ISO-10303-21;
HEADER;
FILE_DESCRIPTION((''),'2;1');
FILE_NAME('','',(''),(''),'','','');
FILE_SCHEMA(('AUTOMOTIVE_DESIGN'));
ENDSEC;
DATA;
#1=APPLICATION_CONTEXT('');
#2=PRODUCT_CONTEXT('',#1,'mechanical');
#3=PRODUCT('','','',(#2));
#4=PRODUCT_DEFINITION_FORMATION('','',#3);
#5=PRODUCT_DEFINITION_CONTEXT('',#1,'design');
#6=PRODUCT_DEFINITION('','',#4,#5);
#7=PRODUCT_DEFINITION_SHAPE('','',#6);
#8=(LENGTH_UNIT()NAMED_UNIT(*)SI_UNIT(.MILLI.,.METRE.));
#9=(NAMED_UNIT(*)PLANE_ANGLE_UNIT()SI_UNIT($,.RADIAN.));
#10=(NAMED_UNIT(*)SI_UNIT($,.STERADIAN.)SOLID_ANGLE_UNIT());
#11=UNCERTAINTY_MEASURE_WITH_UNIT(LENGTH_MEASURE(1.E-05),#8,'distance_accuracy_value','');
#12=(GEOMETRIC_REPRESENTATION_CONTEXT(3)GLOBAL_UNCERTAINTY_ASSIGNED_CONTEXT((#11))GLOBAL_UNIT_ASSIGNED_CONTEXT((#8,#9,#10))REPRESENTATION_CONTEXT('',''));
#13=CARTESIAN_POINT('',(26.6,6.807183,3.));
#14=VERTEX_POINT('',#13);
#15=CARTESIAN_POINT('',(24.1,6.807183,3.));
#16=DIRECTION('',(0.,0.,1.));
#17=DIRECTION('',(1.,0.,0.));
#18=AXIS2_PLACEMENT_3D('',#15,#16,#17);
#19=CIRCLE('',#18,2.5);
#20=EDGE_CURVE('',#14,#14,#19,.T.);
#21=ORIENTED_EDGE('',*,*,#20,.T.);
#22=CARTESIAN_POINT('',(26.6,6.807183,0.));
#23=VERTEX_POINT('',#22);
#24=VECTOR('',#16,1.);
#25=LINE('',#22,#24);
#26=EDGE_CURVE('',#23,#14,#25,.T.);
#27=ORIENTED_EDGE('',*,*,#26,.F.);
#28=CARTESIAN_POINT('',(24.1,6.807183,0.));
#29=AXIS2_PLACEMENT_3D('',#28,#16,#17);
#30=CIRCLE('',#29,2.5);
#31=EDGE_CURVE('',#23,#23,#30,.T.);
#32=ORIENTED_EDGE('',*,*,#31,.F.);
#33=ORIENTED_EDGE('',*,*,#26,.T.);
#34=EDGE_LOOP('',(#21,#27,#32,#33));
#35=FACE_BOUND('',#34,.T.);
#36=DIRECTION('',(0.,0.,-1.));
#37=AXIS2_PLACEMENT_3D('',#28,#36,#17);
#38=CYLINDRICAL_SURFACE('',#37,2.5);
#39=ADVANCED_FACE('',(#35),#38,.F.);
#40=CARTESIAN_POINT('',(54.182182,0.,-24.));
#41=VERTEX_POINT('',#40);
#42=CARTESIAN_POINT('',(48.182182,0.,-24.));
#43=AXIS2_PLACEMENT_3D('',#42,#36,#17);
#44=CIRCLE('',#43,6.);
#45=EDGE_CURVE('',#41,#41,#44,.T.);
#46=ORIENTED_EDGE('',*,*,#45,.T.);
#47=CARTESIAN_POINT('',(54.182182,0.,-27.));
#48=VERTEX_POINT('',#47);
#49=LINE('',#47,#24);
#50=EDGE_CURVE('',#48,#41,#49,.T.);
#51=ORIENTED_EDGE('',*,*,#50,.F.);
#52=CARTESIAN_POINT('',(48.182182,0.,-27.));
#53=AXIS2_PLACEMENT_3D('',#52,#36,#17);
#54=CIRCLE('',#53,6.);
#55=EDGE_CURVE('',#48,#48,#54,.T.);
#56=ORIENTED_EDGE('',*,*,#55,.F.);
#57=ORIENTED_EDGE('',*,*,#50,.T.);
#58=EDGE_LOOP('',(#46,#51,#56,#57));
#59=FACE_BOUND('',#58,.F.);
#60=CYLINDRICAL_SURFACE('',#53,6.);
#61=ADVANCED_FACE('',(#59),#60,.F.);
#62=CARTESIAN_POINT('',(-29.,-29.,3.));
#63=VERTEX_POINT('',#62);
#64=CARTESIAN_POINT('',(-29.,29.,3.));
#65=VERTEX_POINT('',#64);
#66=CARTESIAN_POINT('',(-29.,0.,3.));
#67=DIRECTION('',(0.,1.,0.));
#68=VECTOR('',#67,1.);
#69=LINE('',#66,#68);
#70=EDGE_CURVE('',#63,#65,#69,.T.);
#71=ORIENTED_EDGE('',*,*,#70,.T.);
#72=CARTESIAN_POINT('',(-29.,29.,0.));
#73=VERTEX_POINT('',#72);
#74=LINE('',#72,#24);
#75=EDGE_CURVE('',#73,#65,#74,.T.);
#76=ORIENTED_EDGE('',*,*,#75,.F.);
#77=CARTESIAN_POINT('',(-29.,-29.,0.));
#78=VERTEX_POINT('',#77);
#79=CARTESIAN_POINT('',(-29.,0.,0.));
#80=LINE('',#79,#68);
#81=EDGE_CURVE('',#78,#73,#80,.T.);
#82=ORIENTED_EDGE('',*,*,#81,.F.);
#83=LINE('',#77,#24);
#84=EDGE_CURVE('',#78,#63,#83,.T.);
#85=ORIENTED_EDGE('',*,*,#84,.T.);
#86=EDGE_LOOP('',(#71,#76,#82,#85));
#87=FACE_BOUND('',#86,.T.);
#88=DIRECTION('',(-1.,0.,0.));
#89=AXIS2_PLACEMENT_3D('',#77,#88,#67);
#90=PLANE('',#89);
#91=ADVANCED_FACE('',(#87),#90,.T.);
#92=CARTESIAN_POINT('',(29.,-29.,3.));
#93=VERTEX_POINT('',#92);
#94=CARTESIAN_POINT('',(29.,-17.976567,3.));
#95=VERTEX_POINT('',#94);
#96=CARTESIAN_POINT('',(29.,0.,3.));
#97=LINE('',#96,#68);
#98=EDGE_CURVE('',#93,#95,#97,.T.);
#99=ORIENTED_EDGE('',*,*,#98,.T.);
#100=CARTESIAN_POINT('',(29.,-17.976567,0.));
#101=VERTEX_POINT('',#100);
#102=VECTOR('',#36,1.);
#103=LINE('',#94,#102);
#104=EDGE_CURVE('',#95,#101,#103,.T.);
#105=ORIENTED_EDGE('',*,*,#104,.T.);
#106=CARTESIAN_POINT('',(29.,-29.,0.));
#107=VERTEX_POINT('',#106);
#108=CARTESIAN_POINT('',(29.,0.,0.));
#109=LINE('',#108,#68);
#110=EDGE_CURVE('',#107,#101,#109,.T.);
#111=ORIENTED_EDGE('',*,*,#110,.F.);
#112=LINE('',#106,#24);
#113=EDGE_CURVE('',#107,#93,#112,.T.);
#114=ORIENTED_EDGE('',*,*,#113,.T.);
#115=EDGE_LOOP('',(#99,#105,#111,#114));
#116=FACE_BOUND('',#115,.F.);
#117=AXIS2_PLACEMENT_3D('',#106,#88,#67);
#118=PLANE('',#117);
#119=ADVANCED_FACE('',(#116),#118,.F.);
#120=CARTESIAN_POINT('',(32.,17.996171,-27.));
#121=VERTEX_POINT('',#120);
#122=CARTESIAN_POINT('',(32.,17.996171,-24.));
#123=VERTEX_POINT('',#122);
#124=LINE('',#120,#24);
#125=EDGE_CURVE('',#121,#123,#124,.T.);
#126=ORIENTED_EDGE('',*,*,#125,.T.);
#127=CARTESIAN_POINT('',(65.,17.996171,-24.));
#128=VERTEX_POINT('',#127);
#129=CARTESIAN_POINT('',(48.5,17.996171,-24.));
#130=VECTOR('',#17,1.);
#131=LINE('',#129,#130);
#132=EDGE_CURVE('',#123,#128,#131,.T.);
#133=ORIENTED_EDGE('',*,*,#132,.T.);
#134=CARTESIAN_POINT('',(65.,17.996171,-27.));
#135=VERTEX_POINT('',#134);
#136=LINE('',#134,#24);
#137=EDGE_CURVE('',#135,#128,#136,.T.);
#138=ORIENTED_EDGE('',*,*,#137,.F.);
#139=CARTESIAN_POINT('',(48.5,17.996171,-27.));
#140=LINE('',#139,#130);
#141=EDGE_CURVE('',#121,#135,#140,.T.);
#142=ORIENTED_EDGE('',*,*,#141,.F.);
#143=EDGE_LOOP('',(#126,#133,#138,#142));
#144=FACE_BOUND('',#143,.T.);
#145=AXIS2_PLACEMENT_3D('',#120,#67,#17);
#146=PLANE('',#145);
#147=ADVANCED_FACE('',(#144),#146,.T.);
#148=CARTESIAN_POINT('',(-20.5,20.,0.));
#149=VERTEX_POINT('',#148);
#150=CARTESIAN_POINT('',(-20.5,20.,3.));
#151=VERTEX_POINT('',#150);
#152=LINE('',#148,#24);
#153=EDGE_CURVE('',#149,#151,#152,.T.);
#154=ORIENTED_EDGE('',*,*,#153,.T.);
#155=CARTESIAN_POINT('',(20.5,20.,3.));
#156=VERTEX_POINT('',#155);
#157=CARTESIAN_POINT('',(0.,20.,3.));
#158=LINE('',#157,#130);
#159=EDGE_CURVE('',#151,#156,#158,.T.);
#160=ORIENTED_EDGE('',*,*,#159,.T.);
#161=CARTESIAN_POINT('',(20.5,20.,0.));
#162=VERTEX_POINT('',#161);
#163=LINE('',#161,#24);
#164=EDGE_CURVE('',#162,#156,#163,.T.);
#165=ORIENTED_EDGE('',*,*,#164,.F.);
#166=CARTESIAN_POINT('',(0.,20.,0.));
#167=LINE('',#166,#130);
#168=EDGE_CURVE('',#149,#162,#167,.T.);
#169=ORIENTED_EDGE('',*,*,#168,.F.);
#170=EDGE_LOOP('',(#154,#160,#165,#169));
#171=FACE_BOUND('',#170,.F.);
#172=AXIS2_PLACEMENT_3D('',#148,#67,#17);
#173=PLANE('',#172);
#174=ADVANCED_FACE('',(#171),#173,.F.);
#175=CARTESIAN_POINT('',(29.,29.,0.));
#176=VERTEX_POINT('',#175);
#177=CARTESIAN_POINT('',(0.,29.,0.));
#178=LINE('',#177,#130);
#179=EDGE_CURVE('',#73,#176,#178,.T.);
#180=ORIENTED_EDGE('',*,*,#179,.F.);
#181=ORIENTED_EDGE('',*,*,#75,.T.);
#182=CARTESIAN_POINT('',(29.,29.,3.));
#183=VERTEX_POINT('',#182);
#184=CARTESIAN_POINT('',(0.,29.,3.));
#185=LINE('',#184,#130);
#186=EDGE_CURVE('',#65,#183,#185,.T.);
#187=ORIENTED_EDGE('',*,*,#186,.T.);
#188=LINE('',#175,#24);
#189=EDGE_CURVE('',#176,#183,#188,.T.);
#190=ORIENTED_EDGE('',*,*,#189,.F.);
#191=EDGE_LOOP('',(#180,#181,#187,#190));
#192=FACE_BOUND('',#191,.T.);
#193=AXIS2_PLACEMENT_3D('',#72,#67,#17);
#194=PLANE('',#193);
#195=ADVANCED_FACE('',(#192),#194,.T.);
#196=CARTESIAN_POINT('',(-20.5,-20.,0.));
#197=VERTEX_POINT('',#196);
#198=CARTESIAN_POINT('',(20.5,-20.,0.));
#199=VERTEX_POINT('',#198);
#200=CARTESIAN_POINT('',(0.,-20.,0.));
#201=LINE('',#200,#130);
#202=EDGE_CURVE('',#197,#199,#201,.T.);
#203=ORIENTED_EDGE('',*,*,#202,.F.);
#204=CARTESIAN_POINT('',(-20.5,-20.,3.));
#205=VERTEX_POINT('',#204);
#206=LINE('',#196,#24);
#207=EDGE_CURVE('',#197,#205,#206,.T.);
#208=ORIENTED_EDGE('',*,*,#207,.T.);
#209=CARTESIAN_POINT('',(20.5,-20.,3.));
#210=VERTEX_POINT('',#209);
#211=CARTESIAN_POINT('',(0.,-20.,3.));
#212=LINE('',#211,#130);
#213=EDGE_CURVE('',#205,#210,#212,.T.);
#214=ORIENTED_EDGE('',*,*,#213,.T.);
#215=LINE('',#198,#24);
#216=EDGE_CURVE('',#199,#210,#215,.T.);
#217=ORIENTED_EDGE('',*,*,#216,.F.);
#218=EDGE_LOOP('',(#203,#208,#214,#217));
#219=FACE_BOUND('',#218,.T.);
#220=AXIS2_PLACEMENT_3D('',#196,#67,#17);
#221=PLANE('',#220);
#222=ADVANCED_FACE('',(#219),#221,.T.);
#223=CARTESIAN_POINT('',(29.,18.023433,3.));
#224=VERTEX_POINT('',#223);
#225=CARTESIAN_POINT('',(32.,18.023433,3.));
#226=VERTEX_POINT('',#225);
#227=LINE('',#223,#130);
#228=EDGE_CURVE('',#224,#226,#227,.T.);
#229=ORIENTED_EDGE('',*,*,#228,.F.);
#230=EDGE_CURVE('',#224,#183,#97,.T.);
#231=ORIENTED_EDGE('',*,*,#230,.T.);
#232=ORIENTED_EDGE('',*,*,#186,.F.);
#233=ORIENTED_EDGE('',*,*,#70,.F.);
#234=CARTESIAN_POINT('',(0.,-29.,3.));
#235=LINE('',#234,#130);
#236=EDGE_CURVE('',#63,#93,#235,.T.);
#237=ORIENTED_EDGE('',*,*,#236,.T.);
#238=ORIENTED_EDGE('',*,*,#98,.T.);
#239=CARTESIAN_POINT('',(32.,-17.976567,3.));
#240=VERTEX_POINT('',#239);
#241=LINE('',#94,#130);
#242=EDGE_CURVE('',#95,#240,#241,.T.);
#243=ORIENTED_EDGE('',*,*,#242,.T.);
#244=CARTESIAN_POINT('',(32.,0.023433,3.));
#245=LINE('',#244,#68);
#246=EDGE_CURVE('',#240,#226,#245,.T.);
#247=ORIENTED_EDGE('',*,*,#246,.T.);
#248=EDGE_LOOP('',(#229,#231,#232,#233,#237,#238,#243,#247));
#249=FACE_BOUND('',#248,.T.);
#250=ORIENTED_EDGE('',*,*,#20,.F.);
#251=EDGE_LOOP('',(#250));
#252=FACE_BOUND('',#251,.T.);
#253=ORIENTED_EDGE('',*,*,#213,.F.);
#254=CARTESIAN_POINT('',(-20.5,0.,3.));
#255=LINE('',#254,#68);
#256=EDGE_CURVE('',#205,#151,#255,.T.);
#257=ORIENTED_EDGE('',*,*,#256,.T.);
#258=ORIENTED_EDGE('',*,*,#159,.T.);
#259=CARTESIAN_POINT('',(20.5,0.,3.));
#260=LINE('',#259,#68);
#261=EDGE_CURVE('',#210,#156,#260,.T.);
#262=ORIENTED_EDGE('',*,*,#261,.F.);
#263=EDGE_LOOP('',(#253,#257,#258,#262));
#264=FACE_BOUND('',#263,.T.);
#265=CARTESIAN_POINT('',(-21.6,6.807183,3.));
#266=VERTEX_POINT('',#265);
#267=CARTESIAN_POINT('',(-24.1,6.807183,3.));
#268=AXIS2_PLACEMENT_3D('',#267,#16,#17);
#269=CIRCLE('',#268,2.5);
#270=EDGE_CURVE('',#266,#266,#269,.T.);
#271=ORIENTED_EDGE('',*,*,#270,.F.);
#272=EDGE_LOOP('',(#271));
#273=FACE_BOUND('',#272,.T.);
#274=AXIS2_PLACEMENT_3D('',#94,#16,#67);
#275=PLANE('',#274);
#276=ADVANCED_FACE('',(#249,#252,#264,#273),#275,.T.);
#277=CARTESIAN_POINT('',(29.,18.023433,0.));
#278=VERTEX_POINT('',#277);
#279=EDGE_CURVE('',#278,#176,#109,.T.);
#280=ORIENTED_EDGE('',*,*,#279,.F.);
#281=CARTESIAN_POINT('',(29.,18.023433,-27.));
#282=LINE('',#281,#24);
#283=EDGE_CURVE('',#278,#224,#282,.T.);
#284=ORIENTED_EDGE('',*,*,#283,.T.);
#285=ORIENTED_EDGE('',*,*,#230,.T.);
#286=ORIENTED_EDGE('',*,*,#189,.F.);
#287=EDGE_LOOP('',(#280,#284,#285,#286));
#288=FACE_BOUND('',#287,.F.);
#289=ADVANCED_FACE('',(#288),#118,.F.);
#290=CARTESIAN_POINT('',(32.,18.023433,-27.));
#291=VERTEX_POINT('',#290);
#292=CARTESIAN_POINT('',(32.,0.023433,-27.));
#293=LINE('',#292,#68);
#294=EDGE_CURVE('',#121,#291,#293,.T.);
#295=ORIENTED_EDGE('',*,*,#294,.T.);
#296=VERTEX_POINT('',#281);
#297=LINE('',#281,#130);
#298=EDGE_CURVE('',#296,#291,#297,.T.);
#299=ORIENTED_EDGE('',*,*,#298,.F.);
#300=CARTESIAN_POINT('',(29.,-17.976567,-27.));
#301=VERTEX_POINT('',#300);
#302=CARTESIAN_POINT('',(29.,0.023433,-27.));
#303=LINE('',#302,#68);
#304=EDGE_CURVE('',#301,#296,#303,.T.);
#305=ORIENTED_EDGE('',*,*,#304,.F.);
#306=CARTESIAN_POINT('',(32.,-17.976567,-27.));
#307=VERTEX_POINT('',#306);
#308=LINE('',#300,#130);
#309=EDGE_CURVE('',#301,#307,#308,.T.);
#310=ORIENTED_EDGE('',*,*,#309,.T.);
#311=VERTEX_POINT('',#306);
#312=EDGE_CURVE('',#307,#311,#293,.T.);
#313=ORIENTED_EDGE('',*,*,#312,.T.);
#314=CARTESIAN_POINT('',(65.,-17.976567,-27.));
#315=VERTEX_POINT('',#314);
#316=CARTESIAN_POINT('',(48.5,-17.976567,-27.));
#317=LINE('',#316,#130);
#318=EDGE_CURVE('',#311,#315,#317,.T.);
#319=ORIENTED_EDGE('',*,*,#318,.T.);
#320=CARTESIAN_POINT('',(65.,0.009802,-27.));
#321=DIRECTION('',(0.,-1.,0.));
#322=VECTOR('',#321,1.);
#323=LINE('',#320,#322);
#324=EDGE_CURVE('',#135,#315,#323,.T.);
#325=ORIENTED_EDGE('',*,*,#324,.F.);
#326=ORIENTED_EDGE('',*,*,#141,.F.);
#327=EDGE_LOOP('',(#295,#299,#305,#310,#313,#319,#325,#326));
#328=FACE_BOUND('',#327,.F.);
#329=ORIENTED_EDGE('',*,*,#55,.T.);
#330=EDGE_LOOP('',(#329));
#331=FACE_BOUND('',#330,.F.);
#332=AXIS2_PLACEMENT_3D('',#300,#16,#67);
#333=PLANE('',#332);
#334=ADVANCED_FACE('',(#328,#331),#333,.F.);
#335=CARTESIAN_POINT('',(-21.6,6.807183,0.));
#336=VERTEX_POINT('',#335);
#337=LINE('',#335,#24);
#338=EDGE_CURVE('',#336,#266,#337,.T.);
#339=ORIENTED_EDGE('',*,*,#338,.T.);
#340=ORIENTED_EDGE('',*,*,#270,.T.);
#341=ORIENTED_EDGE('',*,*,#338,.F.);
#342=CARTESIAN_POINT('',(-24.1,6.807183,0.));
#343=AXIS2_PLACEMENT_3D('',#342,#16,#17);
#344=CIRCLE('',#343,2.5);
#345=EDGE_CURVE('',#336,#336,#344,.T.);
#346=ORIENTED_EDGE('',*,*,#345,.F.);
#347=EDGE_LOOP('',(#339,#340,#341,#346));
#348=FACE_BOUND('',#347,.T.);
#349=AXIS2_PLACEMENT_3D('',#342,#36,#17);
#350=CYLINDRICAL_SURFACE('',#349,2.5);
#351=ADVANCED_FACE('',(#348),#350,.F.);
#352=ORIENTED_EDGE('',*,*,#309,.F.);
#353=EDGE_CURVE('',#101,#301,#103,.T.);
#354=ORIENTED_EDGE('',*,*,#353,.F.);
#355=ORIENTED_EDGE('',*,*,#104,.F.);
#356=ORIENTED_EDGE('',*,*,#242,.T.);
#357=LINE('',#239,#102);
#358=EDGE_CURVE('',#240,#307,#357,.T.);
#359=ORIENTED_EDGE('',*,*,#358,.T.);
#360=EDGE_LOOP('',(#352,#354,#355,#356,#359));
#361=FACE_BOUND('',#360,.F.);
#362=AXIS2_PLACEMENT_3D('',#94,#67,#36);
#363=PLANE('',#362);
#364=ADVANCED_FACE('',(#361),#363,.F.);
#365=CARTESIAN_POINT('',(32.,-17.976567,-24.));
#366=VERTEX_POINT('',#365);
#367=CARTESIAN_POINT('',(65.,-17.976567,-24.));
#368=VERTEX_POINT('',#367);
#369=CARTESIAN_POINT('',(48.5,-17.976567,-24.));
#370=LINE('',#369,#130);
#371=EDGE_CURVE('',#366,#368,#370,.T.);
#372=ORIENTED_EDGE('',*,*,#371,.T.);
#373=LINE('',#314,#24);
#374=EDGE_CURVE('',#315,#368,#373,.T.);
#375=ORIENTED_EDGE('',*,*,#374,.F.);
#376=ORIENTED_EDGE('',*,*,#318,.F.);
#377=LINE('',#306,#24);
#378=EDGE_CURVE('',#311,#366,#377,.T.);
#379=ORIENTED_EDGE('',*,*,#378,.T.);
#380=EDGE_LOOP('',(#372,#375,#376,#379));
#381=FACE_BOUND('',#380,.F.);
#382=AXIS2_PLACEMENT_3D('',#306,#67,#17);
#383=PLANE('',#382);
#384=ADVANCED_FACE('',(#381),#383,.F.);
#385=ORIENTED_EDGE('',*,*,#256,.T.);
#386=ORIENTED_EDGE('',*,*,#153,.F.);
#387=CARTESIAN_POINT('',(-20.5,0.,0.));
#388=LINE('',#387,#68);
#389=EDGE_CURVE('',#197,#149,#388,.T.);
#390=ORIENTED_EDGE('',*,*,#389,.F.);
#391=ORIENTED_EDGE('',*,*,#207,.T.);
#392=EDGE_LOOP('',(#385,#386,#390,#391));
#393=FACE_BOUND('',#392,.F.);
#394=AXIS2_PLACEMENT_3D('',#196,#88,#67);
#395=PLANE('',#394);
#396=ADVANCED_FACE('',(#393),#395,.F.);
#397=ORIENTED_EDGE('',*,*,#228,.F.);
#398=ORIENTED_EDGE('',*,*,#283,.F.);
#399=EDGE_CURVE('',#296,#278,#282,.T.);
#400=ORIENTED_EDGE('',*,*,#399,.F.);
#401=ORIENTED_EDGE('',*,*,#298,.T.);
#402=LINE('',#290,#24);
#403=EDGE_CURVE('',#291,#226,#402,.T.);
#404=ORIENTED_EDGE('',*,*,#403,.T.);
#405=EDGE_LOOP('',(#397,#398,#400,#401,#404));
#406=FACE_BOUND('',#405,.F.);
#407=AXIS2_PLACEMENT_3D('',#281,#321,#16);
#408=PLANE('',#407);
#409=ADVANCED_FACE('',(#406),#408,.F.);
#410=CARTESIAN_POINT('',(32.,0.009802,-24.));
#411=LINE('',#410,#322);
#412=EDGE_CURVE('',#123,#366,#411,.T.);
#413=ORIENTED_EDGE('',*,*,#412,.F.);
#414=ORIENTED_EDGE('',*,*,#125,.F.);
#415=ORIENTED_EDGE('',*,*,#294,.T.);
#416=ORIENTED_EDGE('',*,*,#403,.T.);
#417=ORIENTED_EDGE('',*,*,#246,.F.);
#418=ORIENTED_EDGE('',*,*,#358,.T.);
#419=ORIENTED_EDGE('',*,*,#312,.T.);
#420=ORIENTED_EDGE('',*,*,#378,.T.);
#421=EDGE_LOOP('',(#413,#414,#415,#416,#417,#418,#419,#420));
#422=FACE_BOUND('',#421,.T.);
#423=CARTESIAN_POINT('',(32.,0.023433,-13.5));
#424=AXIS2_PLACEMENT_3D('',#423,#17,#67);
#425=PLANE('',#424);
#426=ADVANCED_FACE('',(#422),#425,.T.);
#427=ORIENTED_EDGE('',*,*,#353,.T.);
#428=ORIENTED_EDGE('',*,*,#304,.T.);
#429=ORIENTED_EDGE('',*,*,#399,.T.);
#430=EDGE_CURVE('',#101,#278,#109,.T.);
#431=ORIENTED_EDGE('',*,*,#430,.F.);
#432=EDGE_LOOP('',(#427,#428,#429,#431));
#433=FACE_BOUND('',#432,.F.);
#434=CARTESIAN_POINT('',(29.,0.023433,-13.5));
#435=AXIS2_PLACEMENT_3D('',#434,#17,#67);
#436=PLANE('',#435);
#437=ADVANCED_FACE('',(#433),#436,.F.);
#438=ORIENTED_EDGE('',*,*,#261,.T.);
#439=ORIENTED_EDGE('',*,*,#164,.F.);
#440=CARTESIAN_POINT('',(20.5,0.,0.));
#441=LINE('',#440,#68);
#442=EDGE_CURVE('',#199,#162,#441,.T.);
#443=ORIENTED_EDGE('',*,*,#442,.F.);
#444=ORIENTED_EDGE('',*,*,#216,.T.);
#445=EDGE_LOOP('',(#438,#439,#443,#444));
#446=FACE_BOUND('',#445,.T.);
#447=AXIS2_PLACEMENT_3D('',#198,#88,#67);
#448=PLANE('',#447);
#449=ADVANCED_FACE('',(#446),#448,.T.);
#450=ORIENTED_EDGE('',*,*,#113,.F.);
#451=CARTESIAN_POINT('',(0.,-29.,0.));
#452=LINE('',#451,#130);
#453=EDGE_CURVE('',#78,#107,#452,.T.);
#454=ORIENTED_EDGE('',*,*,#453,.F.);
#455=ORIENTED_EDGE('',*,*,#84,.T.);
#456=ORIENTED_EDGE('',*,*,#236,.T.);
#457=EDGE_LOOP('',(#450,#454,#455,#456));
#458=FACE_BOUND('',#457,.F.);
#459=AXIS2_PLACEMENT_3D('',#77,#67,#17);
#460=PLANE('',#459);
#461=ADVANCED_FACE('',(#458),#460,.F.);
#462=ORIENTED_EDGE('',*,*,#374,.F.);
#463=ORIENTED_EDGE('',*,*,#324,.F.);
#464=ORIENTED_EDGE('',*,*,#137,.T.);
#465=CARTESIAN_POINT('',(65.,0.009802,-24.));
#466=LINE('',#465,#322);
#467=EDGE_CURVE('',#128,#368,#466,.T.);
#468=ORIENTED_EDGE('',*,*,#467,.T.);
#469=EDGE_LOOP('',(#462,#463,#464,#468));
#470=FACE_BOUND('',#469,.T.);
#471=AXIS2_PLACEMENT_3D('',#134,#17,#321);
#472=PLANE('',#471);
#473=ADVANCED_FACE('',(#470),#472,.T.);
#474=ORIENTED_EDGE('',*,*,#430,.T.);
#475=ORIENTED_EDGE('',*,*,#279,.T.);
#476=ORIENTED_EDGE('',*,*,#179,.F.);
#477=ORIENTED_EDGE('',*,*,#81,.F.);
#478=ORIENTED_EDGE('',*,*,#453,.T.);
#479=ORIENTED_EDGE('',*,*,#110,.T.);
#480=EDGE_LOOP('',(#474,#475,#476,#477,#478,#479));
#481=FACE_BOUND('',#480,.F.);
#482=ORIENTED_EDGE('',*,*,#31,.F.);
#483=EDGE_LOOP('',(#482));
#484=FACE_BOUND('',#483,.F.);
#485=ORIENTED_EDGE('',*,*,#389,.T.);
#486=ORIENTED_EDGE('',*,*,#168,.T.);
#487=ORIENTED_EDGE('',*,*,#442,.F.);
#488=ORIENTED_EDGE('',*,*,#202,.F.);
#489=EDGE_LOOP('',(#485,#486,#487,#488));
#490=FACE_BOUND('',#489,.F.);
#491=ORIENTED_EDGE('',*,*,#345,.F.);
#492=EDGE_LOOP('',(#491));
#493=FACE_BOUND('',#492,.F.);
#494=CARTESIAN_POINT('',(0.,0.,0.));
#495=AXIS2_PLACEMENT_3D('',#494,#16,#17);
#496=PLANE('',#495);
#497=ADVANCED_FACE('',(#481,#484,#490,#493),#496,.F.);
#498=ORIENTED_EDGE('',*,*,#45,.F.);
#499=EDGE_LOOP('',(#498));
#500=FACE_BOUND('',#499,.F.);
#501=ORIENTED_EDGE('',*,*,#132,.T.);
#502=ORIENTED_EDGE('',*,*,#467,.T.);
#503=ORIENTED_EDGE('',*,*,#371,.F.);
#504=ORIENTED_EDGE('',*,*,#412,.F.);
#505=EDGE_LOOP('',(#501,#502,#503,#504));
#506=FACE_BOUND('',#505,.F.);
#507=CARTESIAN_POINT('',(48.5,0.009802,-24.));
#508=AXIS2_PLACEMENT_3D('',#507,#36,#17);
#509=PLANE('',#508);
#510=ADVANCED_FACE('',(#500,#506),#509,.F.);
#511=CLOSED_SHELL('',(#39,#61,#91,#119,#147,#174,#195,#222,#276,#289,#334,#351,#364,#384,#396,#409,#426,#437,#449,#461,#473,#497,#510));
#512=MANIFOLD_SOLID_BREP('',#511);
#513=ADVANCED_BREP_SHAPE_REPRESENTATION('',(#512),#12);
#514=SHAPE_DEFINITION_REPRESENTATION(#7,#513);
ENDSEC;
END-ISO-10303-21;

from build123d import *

# Parameters (mm, degrees)
F0_W     = 58
F0_H     = 58
F0_R     = 2.5
F0_W_2   = 41
F0_H_2   = 40
F1_DEPTH = 3
F2_W     = 36
F2_H     = 27
F2_H_2   = 3
F3_DEPTH = 3
F4_W     = 33
F4_H     = 35.972737
F4_R     = 6
F5_DEPTH = 3


with BuildPart() as f1:
    # F0 (on Top) → F1 (new body)
    with BuildSketch(Plane.XY):
        Rectangle(F0_W, F0_H)
        with Locations((-24.1, 6.807183)):
            Circle(F0_R, mode=Mode.SUBTRACT)
        Rectangle(F0_W_2, F0_H_2, mode=Mode.SUBTRACT)
        with Locations((24.1, 6.807183)):
            Circle(F0_R, mode=Mode.SUBTRACT)
    extrude(amount=F1_DEPTH)

    # F2 (on face) → F3 (join)
    with BuildSketch(Plane.YZ.offset(29)):
        with Locations((0.023433, -13.5)):
            Rectangle(F2_W, F2_H)
        with Locations((0.023433, 1.5)):
            Rectangle(F2_W, F2_H_2)
    extrude(amount=F3_DEPTH)

    # F4 (on face) → F5 (join)
    with BuildSketch(Plane(origin=(0, 0, -27), x_dir=(1, 0, 0), z_dir=(0, 0, -1))):
        with Locations((48.5, -0.009802)):
            Rectangle(F4_W, F4_H)
        with Locations((48.182182, 0)):
            Circle(F4_R, mode=Mode.SUBTRACT)
    extrude(amount=-F5_DEPTH)


solid = f1.part
